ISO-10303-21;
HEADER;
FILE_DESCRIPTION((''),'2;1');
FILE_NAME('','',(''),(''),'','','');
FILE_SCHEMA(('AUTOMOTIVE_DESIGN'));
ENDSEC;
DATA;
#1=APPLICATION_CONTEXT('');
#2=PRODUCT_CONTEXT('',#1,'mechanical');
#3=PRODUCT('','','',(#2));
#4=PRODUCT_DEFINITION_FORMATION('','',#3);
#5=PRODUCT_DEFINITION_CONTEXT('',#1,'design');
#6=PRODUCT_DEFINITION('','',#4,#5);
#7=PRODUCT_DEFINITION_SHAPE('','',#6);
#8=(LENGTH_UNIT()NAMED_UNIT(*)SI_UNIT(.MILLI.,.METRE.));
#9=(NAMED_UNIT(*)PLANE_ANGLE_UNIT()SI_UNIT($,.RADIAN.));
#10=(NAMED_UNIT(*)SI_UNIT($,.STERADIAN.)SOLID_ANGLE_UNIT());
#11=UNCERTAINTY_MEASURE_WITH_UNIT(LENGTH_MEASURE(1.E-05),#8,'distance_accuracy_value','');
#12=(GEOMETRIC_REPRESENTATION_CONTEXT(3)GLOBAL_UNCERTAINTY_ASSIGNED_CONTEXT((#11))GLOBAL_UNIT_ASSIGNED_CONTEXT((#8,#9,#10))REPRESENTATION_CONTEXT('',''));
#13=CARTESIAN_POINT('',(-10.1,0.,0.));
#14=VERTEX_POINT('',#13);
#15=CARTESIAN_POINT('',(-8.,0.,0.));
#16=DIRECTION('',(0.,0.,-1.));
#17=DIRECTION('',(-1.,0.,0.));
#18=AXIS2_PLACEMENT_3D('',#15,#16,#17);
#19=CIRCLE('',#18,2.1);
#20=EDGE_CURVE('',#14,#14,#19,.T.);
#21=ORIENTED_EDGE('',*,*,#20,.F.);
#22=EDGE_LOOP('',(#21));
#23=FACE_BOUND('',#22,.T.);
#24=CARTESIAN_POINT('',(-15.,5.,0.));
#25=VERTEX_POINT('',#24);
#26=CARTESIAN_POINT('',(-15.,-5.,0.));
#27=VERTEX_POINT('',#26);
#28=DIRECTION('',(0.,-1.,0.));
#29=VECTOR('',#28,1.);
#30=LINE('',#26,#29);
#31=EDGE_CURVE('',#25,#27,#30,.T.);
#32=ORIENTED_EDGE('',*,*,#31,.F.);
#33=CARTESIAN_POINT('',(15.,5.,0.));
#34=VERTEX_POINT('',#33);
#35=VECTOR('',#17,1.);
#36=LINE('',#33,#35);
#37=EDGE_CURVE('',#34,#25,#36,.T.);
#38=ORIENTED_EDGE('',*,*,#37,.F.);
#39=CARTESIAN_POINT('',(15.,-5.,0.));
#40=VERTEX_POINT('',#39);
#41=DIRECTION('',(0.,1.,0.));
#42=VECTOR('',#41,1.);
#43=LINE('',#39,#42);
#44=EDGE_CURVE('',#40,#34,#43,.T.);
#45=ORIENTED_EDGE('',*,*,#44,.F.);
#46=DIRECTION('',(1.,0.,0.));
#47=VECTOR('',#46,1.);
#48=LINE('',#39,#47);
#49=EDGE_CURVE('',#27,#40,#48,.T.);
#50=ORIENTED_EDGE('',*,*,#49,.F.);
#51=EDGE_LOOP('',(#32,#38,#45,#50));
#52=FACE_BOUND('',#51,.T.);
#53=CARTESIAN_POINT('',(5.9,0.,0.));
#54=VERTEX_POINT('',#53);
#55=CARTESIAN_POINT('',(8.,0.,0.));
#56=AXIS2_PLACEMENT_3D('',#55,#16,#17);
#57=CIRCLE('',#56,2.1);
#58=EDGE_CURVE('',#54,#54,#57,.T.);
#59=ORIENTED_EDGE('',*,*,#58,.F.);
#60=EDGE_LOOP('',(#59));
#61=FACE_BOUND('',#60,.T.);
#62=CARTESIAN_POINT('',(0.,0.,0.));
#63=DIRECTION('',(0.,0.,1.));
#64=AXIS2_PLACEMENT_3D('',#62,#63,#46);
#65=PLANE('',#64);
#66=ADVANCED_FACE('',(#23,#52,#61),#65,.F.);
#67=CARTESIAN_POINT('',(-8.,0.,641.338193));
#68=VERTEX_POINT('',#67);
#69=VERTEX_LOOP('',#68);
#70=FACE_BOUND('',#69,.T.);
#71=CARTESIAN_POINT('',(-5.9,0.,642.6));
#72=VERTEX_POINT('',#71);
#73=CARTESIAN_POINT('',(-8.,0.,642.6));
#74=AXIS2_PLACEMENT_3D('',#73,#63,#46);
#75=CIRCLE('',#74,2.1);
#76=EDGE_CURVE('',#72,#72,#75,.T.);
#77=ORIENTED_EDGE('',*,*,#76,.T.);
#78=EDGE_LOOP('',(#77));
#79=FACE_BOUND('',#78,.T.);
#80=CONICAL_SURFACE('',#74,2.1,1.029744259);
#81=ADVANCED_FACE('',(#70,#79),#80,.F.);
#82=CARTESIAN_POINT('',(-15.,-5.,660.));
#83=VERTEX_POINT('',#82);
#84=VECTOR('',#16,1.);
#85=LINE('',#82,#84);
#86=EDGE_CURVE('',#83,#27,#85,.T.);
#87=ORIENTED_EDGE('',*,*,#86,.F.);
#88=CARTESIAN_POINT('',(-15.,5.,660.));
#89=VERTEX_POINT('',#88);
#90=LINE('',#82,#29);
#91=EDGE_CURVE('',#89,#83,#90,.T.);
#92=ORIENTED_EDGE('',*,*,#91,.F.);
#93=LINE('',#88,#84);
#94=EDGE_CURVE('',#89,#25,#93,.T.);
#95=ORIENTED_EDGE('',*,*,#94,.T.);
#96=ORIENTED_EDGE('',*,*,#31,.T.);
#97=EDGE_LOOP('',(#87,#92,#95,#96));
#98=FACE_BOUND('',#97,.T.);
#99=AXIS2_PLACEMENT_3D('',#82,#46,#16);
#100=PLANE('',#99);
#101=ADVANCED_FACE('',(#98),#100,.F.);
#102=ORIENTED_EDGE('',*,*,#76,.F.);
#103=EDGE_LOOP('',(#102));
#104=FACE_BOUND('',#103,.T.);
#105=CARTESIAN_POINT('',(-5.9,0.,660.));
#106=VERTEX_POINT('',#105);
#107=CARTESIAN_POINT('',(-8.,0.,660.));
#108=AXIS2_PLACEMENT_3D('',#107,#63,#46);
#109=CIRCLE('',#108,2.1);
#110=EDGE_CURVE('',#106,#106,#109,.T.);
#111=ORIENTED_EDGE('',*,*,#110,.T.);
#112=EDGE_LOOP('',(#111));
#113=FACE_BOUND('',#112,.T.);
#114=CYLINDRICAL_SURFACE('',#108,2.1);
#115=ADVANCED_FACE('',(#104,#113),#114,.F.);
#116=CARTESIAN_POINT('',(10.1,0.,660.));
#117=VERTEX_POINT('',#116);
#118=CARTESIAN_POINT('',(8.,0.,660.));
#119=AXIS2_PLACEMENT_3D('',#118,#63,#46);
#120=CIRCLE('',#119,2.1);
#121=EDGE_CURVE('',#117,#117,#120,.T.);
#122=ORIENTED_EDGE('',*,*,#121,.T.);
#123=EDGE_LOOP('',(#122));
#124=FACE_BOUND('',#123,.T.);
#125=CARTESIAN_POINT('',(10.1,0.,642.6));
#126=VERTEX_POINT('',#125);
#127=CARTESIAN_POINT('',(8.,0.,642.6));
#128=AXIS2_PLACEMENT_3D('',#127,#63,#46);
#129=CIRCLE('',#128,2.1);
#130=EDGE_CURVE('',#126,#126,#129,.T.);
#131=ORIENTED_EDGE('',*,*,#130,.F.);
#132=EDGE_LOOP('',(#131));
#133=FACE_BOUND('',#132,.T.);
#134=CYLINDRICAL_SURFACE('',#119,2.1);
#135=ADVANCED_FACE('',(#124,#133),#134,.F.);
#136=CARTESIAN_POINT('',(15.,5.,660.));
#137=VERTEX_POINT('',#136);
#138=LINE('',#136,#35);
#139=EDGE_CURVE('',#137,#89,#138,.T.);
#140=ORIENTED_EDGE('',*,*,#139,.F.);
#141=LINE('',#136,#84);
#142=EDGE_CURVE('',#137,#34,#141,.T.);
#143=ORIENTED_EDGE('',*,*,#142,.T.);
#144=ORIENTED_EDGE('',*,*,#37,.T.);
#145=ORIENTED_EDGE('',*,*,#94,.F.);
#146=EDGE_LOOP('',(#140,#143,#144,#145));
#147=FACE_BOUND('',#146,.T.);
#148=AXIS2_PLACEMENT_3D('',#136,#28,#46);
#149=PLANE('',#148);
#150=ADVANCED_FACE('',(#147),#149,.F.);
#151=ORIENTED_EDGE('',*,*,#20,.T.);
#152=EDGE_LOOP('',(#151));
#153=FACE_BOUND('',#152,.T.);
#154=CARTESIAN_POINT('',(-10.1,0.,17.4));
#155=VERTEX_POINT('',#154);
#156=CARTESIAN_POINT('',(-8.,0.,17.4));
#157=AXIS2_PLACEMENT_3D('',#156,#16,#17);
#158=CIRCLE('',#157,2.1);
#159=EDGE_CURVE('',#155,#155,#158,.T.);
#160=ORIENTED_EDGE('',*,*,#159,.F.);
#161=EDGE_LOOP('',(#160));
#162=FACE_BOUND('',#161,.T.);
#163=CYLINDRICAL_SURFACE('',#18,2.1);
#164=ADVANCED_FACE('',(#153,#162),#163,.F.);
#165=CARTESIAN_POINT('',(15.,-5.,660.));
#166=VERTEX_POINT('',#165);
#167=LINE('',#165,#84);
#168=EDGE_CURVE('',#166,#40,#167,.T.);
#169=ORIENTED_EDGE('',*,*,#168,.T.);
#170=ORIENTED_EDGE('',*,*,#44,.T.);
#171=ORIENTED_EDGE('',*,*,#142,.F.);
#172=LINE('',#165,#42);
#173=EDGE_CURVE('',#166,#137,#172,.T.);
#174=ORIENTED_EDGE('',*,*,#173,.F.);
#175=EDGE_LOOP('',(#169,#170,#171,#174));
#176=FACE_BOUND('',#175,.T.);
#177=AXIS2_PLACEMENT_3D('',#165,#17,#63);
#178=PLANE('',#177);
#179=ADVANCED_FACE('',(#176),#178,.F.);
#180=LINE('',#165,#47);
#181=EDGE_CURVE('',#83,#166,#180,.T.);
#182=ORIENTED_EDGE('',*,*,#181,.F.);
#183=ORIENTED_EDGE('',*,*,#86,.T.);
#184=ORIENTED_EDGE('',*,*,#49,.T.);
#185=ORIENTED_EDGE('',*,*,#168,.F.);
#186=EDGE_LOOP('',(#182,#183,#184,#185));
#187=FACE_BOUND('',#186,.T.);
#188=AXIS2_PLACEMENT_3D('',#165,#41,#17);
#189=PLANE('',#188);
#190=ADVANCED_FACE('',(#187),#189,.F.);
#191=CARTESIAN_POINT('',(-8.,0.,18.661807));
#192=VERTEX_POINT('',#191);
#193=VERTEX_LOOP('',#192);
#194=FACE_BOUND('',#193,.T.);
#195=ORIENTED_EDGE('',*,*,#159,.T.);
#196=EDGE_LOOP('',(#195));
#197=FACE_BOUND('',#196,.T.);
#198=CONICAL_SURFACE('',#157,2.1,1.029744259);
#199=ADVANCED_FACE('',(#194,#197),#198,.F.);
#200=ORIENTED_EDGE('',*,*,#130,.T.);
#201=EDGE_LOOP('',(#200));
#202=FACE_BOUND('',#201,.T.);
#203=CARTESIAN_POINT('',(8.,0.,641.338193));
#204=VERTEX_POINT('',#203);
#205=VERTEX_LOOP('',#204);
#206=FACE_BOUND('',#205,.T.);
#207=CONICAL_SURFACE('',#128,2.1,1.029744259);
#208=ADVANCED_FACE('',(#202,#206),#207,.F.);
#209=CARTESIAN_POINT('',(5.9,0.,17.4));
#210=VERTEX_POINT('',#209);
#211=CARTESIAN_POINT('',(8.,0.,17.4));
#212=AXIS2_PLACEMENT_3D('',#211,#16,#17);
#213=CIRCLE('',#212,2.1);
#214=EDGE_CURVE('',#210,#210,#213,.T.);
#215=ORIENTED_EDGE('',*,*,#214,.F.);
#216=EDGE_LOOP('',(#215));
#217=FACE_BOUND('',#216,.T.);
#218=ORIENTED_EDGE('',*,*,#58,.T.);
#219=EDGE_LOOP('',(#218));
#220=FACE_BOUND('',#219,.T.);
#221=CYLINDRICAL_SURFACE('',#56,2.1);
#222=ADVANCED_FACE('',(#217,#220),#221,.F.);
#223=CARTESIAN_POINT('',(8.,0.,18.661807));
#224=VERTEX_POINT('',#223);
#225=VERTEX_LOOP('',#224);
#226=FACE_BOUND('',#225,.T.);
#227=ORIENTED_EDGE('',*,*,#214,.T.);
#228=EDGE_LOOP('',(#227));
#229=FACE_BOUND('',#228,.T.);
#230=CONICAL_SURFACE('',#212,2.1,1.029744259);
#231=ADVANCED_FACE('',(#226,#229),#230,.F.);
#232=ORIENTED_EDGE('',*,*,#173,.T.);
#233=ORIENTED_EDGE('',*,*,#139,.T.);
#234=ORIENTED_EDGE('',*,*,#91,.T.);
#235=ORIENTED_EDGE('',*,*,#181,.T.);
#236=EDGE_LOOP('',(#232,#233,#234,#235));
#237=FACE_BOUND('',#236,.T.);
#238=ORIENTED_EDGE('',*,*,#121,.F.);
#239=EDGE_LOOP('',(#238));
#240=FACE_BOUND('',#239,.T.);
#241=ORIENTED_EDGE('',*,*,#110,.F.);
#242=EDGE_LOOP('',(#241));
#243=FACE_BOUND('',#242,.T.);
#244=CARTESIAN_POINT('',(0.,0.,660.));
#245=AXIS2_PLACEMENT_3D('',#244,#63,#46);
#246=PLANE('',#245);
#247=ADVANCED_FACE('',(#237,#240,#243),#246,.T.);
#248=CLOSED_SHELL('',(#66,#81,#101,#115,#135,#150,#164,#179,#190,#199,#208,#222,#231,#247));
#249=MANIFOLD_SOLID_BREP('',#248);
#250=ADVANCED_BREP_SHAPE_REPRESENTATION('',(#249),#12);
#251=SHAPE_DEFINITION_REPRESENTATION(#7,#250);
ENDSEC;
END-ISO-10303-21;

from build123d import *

# Parameters (mm, degrees)
SKETCH1_W             = 30
SKETCH1_H             = 10
BOSS_EXTRUDE1_DEPTH   = 660
M5_TAPPED_HOLE1_D     = 4.2
M5_TAPPED_HOLE1_DEPTH = 17.4
M5_TAPPED_HOLE1_TIP   = 1.2618073
M5_TAPPED_HOLE2_D     = 4.2
M5_TAPPED_HOLE2_DEPTH = 17.4
M5_TAPPED_HOLE2_TIP   = 1.2618073
M5_TAPPED_HOLE3_D     = 4.2
M5_TAPPED_HOLE3_DEPTH = 17.4
M5_TAPPED_HOLE3_TIP   = 1.2618073


with BuildPart() as part:
    # Sketch1 → Boss-Extrude1 (new body)
    with BuildSketch(Plane.XY):
        Rectangle(SKETCH1_W, SKETCH1_H)
    extrude(amount=BOSS_EXTRUDE1_DEPTH)

    # M5 Tapped Hole1
    with Locations(Plane(origin=(-8, 0, 0), x_dir=(-1, 0, 0), z_dir=(0, 0, -1))):
        with Locations((0, 0), (-16, 0)):
            Hole(M5_TAPPED_HOLE1_D / 2, depth=M5_TAPPED_HOLE1_DEPTH)
            with Locations((0, 0, -(M5_TAPPED_HOLE1_DEPTH + M5_TAPPED_HOLE1_TIP / 2))):  # 118° drill point
                Cone(0, M5_TAPPED_HOLE1_D / 2, M5_TAPPED_HOLE1_TIP, mode=Mode.SUBTRACT)

    # M5 Tapped Hole2
    with Locations(Plane(origin=(-8, 0, 0), x_dir=(-1, 0, 0), z_dir=(0, 0, -1))):
        with Locations((0, 0), (-16, 0)):
            Hole(M5_TAPPED_HOLE2_D / 2, depth=M5_TAPPED_HOLE2_DEPTH)
            with Locations((0, 0, -(M5_TAPPED_HOLE2_DEPTH + M5_TAPPED_HOLE2_TIP / 2))):  # 118° drill point
                Cone(0, M5_TAPPED_HOLE2_D / 2, M5_TAPPED_HOLE2_TIP, mode=Mode.SUBTRACT)

    # M5 Tapped Hole3
    with Locations(Plane(origin=(-8, 0, 660), x_dir=(1, 0, 0), z_dir=(0, 0, 1))):
        with Locations((0, 0), (16, 0)):
            Hole(M5_TAPPED_HOLE3_D / 2, depth=M5_TAPPED_HOLE3_DEPTH)
            with Locations((0, 0, -(M5_TAPPED_HOLE3_DEPTH + M5_TAPPED_HOLE3_TIP / 2))):  # 118° drill point
                Cone(0, M5_TAPPED_HOLE3_D / 2, M5_TAPPED_HOLE3_TIP, mode=Mode.SUBTRACT)


solid = part.part
